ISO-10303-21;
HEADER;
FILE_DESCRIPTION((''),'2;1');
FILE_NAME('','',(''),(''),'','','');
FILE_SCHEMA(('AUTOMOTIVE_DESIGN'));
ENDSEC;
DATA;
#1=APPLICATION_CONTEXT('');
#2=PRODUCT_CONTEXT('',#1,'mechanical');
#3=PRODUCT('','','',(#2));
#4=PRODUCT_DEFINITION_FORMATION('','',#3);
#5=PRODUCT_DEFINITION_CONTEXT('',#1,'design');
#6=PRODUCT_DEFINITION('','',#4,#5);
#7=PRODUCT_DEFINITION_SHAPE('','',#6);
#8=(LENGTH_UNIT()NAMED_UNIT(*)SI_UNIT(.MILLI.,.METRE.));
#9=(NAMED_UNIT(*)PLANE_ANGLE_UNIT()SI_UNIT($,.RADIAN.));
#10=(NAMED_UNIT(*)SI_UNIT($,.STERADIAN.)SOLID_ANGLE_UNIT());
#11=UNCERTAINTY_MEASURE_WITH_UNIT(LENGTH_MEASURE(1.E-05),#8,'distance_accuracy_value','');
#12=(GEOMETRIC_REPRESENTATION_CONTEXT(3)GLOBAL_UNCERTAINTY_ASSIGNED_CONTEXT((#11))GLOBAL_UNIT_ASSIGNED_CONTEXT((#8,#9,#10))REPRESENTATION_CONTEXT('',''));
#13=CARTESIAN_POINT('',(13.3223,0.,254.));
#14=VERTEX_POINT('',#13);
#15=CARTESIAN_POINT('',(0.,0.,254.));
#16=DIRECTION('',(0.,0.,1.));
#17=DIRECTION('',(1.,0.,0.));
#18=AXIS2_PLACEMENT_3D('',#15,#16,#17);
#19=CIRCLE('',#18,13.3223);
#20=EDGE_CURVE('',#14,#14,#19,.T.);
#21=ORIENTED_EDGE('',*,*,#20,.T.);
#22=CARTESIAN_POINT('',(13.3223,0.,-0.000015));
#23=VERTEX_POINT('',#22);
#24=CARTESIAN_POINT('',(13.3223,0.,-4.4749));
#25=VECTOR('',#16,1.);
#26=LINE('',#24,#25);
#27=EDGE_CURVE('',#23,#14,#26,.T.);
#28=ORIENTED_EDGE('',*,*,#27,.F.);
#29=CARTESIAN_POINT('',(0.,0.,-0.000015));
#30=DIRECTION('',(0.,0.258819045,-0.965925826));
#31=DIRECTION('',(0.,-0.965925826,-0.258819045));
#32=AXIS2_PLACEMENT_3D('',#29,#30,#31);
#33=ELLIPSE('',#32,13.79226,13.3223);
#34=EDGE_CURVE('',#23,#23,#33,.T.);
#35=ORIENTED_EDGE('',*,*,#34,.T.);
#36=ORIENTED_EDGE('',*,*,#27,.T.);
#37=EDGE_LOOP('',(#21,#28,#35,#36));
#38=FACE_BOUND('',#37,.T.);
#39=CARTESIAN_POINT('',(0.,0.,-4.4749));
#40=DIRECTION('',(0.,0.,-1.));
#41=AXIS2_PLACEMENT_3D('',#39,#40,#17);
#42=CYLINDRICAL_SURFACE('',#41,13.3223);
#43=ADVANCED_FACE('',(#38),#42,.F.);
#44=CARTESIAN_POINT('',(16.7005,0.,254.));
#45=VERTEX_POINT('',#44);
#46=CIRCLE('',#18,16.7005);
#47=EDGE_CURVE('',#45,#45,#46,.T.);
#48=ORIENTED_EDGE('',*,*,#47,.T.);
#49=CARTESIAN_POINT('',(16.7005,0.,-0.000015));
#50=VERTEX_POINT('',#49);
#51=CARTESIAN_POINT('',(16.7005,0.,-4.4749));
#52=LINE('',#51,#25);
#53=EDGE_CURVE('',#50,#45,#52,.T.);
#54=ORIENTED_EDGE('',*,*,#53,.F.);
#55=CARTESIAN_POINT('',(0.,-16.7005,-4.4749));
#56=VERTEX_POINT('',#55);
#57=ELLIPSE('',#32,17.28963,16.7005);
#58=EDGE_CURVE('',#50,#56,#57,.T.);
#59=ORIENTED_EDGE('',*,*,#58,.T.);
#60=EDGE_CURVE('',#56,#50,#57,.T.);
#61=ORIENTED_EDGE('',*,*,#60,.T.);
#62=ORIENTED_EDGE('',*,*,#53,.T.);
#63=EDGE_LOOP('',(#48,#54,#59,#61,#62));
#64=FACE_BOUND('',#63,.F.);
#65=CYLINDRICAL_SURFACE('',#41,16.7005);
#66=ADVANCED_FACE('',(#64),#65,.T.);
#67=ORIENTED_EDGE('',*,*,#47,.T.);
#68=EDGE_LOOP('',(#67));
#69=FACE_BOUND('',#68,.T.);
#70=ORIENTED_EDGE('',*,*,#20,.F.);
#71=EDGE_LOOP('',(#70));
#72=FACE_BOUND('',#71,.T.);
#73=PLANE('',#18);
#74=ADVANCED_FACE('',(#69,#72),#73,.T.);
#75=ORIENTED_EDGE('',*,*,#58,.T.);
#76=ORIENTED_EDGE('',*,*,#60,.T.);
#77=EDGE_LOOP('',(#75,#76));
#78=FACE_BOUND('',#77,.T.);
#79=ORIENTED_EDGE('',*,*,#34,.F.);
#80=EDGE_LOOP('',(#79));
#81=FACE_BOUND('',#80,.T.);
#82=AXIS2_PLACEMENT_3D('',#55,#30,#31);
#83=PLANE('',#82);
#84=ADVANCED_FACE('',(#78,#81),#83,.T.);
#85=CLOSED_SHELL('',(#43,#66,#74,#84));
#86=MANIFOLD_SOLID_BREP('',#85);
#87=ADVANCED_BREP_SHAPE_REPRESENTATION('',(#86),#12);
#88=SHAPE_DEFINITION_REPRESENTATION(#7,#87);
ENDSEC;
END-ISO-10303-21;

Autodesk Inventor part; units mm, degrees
ref_plane "Start plane" through (0, 0, -4.4749) normal (0, 0, 1) x (1, 0, 0)
ref_plane "End plane" through (0, 0, 254) normal (0, 0, 1) x (1, 0, 0)
sketch "Sketch" plane through (0, 0, 0) normal (0, 0, 1) x (1, 0, 0)
  circle A0 centre (0, 0) radius 13.3223
  circle A1 centre (0, 0) radius 16.7005
  dimension "d0" = 33.401
  dimension "d1" = 3.3782
extrude "Body" add sketch "Sketch" along normal up to surface (258.4749 mm away) from surface at -4.4749
sketch "Sketch3" plane through (0, 0, 0) normal (0, 0, 1) x (1, 0, 0)
  line L0 (0, 0) -> (10, 0)
ref_plane "Work Plane3" through (0, 0, 0) normal (0, -1, 0) x (1, 0, 0)
sketch "Sketch4" plane through (0, 0, 0) normal (0, -1, 0) x (1, 0, 0)
  line L0 (-2, -4.4749) -> (12, -4.4749)
  line L1 (-2, 254) -> (12, 254)
  dimension "d7" = 258.4749
ref_plane "Work Plane4" through (0, -16.7005, -4.4749) normal (0, 0.2588, -0.9659) x (1, 0, 0)
split "Split1" plane through (0, -16.7005, -4.4749) removes the side toward (0, 0.2588, -0.9659)
equation "\"d0\" = G_H"
equation "\"d1\" = G_T"
equation "\"d2\" = G_L"
equation "\"G_H\" = 33.401"
equation "\"G_T\" = 3.3782"
equation "\"G_L\" = d7"
equation "\"G_OFFSET_START\" = 4.47489"
equation "\"G_OFFSET_END\" = 0"
equation "\"d4\" = -G_OFFSET_START"
equation "\"d5\" = G_OFFSET_END + B_L"
equation "\"B_L\" = 254"
properties part number "ANSI - 1 x 0.133 - 10.176" material "Steel"
